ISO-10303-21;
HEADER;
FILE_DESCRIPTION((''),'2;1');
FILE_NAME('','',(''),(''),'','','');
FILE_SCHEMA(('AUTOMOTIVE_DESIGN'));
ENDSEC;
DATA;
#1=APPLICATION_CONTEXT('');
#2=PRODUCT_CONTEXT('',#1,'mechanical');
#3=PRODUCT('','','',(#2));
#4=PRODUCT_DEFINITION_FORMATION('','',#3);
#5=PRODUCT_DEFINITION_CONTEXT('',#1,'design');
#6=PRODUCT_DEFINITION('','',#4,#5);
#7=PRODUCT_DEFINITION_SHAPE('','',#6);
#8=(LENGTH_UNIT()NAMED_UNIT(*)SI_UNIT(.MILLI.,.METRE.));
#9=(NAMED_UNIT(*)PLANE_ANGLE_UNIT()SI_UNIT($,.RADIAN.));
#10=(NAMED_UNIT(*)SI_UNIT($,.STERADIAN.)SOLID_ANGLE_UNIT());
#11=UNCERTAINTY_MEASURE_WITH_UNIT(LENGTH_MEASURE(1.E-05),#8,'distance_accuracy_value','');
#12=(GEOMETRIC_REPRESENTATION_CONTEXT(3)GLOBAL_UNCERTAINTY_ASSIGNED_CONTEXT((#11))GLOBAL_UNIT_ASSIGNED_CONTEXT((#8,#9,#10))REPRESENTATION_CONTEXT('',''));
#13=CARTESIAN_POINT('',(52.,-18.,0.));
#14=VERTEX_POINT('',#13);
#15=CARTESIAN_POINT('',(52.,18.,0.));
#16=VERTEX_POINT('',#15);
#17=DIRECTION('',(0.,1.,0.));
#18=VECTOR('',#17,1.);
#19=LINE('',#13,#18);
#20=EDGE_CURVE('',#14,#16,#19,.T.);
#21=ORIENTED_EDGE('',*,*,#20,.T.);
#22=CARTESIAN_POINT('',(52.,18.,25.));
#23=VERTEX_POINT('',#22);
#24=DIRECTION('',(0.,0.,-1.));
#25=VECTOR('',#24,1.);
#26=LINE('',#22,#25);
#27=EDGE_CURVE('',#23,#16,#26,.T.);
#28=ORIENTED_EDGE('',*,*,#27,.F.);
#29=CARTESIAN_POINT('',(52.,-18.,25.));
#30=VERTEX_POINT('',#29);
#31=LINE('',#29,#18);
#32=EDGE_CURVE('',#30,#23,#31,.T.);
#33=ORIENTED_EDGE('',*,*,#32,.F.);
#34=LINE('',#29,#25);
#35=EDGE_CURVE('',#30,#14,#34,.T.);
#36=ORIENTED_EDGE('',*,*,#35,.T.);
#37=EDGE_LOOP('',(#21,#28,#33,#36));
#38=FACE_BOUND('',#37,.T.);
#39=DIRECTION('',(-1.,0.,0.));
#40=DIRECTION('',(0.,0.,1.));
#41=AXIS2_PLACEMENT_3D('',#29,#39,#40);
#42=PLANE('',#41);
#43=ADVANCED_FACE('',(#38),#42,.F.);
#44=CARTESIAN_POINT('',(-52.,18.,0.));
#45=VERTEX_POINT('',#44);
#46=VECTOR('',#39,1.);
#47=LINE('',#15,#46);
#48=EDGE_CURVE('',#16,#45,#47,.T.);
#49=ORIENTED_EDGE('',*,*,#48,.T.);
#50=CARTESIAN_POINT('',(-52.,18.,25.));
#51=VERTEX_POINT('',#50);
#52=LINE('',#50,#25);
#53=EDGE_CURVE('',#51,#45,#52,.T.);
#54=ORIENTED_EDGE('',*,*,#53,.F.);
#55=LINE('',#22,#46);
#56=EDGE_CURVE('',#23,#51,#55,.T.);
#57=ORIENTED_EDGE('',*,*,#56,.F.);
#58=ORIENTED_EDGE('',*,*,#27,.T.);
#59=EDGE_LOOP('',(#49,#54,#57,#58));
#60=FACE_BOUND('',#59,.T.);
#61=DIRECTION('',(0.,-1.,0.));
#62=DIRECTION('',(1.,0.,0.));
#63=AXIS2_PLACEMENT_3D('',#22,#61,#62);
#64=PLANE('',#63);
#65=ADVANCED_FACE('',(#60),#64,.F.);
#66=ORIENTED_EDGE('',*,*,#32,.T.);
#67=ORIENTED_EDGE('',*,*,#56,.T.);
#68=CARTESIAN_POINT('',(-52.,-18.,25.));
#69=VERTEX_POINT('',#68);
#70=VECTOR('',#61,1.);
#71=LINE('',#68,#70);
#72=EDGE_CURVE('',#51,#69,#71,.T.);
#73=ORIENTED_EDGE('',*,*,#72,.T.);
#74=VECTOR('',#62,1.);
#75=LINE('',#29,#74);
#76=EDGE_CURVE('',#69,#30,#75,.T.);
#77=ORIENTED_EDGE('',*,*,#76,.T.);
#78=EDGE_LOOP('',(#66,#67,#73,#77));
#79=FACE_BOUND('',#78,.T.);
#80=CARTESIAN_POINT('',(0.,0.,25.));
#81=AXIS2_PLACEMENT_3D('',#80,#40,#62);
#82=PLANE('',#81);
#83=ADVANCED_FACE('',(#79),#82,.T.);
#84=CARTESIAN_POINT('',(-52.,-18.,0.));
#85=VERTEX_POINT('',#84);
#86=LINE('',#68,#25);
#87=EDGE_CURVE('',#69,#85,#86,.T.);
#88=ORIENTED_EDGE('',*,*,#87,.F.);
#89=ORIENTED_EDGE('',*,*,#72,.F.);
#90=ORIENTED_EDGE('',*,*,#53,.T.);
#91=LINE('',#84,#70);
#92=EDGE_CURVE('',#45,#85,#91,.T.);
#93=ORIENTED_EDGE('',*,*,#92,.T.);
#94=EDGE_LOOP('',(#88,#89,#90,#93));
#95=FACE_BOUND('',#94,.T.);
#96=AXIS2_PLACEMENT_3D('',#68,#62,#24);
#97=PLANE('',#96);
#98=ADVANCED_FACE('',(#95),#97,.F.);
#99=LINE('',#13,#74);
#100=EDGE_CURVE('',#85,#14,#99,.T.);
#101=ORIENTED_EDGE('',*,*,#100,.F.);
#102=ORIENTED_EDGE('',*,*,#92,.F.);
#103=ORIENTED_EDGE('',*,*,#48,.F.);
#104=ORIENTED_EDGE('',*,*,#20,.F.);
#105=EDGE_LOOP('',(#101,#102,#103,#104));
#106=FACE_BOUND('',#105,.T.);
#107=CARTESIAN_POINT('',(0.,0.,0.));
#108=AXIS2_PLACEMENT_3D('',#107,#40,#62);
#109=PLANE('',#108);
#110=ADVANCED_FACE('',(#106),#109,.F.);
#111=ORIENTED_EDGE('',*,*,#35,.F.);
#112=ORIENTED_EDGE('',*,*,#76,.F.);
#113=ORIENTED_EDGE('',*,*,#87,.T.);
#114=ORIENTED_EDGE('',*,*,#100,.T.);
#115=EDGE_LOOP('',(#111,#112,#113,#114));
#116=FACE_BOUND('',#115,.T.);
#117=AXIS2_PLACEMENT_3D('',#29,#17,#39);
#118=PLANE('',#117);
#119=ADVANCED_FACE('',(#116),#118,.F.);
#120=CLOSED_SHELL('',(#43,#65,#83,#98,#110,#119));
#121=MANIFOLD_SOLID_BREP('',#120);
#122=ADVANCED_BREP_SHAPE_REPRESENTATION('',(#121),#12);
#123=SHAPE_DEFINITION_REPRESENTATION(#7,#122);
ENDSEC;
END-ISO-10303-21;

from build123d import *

# Parameters (mm, degrees)
SKETCH1_W           = 104
SKETCH1_H           = 36
BOSS_EXTRUDE1_DEPTH = 25


with BuildPart() as part:
    # Sketch1 → Boss-Extrude1 (new body)
    with BuildSketch(Plane.XY):
        Rectangle(SKETCH1_W, SKETCH1_H)
    extrude(amount=BOSS_EXTRUDE1_DEPTH)


solid = part.part
